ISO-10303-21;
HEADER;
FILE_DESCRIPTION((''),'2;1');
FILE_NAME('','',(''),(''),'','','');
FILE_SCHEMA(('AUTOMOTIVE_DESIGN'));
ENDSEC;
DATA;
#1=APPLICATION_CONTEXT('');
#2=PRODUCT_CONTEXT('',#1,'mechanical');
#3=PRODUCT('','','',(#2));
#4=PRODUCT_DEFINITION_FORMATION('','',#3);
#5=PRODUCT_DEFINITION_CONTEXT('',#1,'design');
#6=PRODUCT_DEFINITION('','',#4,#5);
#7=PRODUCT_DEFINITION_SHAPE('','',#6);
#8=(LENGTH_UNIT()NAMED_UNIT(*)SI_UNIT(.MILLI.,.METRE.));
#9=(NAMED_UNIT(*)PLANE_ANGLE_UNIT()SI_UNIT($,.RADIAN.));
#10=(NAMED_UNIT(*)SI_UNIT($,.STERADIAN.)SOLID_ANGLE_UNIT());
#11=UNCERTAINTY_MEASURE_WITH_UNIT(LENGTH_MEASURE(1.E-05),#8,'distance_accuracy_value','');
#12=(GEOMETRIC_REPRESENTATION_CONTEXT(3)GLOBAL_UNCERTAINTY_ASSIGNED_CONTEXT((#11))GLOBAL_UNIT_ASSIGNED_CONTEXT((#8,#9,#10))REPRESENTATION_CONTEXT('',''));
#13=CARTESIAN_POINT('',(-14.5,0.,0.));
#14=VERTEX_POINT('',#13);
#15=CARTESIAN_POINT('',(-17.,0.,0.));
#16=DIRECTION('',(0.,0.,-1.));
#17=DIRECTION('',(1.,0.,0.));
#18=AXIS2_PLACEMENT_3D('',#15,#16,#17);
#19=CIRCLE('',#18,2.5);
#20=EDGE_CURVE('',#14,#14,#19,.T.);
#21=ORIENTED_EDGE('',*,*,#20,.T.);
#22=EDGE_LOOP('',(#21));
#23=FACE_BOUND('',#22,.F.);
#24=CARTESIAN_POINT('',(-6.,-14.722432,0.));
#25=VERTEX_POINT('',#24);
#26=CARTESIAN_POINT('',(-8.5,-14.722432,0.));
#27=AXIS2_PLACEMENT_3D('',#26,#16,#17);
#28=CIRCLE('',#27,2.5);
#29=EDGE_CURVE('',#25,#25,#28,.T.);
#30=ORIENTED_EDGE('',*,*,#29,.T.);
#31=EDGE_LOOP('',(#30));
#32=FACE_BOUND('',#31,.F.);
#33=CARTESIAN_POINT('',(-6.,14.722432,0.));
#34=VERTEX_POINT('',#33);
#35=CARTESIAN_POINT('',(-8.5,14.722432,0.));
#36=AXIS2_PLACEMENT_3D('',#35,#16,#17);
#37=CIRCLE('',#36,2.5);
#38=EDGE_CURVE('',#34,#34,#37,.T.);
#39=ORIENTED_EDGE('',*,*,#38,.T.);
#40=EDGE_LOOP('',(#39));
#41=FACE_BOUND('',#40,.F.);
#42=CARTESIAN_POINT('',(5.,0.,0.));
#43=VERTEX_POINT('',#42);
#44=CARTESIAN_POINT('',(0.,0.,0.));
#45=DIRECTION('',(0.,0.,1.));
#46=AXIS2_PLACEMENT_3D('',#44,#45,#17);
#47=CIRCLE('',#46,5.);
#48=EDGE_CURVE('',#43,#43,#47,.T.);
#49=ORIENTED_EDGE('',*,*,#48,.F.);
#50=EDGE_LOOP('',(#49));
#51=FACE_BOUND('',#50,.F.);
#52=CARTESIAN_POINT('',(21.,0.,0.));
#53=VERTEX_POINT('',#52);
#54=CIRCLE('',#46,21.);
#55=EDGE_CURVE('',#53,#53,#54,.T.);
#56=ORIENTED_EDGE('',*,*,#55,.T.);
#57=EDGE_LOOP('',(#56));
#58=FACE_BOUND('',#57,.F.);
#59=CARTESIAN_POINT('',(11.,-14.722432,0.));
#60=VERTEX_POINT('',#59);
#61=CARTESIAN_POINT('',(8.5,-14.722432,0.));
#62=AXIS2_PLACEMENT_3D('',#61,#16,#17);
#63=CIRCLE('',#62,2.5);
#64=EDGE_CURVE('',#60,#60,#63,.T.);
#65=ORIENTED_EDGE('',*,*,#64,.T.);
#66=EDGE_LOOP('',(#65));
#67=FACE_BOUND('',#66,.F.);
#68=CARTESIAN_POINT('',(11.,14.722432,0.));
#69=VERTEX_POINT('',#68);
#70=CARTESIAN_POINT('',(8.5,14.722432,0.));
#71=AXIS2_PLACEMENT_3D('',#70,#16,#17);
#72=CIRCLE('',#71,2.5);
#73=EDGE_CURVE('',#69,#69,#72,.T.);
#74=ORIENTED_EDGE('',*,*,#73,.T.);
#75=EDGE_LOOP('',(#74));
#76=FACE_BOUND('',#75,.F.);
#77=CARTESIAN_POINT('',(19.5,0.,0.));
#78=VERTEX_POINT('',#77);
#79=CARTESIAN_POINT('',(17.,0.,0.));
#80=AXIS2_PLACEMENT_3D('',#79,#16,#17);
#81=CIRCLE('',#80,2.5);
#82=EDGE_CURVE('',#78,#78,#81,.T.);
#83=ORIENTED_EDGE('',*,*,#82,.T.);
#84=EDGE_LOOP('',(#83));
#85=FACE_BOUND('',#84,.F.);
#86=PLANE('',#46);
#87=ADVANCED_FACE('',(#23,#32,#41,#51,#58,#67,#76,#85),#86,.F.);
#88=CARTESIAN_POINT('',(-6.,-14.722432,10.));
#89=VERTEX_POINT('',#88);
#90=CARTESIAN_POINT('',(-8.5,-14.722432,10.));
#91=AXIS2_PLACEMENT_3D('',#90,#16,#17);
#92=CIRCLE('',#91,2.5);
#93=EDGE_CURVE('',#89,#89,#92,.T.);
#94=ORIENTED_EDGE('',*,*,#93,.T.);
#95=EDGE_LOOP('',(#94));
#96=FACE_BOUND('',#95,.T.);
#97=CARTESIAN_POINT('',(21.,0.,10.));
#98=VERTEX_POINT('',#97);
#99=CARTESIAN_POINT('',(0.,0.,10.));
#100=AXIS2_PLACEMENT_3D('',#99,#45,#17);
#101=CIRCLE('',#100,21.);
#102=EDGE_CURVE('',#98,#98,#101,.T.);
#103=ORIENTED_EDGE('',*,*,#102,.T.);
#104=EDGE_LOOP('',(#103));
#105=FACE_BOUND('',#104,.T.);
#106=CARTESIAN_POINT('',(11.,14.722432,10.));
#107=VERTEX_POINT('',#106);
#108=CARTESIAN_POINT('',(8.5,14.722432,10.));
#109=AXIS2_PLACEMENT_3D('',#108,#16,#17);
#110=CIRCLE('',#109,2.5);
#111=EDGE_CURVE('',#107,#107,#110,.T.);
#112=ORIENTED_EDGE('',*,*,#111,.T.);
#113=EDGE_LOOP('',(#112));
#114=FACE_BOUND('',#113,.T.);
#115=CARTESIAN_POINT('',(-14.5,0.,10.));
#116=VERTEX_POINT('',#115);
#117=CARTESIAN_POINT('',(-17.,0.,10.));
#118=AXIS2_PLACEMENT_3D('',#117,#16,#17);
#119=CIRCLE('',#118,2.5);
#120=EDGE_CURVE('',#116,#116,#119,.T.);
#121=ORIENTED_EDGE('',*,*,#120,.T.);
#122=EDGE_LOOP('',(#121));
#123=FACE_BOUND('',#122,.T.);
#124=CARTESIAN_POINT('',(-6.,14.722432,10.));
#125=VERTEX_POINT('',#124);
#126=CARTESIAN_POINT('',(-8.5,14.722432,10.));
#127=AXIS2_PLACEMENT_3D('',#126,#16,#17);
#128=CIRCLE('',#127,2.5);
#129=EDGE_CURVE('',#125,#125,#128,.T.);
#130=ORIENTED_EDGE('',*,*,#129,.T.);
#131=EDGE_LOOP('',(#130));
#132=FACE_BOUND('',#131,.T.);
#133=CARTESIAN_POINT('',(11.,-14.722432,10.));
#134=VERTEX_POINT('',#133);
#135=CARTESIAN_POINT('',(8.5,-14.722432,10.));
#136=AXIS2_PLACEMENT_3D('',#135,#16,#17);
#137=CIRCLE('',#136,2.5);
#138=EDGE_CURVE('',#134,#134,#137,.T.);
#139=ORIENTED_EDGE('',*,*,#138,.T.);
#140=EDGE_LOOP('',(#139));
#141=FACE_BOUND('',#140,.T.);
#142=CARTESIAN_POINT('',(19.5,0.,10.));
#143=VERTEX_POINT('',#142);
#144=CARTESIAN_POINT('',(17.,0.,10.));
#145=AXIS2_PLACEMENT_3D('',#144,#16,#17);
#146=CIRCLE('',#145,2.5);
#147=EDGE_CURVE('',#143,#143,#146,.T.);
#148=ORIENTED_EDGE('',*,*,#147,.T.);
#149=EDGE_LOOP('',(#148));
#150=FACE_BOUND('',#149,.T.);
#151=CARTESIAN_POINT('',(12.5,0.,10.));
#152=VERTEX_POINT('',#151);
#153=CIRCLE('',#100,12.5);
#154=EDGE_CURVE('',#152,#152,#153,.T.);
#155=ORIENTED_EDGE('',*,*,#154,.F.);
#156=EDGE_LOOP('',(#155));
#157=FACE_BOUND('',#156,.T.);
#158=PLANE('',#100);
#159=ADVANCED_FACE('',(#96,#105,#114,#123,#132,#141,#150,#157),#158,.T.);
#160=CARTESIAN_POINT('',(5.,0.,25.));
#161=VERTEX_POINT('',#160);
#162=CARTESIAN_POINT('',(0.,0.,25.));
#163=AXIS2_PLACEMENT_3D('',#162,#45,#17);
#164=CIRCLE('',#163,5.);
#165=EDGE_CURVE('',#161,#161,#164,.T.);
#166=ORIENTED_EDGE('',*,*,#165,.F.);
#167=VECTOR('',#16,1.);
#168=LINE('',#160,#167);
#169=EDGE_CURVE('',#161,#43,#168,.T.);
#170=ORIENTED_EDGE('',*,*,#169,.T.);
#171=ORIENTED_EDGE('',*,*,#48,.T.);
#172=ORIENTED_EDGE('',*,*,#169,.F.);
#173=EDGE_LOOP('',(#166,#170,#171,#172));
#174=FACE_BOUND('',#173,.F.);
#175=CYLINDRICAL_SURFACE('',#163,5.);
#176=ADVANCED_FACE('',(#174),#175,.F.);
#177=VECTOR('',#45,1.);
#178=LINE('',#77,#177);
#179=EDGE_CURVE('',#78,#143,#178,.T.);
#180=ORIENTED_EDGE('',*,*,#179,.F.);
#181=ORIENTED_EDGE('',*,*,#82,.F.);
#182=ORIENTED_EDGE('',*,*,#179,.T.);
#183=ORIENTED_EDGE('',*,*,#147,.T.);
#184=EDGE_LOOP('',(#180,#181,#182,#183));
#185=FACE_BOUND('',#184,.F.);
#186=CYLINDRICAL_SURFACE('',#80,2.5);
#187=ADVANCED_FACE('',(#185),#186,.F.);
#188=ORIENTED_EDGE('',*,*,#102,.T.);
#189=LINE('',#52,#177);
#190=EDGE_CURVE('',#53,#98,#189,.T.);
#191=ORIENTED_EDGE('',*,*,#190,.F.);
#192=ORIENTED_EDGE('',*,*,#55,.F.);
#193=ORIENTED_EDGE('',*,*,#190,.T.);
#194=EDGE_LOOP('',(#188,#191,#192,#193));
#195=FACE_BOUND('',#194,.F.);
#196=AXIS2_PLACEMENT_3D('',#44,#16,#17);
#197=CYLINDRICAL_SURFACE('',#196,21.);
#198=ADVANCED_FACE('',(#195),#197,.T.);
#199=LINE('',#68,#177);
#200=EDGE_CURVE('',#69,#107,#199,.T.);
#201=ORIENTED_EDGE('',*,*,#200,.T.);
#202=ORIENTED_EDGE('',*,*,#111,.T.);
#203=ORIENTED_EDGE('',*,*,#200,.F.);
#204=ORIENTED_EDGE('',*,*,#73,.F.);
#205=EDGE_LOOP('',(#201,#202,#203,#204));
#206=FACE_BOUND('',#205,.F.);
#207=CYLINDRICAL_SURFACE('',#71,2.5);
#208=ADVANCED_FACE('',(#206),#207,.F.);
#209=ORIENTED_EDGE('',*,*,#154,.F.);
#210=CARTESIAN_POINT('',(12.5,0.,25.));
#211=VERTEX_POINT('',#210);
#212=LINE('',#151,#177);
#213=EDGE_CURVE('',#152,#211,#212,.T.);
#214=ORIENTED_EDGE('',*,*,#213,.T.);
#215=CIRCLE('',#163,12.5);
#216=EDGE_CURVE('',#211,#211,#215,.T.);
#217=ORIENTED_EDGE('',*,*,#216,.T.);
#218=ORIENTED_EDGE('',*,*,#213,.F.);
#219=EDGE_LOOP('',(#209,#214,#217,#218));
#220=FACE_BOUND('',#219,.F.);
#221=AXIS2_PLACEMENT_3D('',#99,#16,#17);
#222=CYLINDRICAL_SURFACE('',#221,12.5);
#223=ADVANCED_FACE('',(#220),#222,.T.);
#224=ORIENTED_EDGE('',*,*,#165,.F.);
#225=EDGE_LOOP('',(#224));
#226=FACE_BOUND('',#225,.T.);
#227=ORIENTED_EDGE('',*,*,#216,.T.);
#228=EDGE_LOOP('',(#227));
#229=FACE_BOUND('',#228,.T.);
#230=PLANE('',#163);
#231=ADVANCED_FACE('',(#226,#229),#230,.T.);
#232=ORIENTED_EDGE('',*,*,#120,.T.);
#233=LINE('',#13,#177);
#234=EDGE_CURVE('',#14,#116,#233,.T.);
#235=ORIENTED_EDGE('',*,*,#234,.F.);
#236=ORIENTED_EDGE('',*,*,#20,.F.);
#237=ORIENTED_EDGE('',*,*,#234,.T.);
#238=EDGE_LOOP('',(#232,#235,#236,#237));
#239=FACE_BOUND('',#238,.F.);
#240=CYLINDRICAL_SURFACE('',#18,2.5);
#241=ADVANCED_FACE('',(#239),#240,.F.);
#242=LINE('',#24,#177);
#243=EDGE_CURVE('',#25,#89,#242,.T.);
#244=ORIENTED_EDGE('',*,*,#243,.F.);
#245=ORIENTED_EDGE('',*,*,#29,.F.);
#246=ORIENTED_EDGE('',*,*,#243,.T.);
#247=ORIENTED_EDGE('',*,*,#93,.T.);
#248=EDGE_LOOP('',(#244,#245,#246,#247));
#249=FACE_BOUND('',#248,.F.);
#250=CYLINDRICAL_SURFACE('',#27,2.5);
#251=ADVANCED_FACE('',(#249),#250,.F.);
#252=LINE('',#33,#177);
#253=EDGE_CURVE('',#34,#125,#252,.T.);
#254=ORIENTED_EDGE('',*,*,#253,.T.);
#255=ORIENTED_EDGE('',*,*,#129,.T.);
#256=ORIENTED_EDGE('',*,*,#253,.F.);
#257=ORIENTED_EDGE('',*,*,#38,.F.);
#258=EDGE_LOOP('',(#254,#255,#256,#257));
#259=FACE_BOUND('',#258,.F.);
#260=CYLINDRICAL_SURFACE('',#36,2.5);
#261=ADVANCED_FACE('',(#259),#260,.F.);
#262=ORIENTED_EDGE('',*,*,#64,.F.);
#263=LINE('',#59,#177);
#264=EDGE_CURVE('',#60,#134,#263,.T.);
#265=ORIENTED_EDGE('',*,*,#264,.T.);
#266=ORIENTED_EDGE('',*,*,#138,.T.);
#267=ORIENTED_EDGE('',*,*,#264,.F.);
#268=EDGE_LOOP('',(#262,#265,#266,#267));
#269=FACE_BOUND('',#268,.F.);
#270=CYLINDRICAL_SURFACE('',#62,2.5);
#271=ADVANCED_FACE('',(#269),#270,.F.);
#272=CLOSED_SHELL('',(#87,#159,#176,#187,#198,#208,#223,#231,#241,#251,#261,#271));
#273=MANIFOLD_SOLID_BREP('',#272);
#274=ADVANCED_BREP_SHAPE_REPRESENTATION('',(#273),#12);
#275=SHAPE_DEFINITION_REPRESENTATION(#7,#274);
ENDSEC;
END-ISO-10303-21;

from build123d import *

# Parameters (mm, degrees)
F0_R     = 21
F1_DEPTH = 10
F2_R     = 12.5
F3_DEPTH = 15
F4_R     = 5
F5_DEPTH = 30
F6_R     = 2.5
F7_DEPTH = 25


with BuildPart() as f1:
    # F0 (on Top) → F1 (new body)
    with BuildSketch(Plane.XY):
        Circle(F0_R)
    extrude(amount=F1_DEPTH)

    # F2 (on face) → F3 (join)
    with BuildSketch(Plane.XY.offset(10)):
        Circle(F2_R)
    extrude(amount=F3_DEPTH)

    # F4 (on face) → F5 (cut)
    with BuildSketch(Plane.XY.offset(25)):
        Circle(F4_R)
    extrude(amount=-F5_DEPTH, mode=Mode.SUBTRACT)

    # F6 (on face) → F7 (cut)
    with BuildSketch(Plane(origin=(0, 0, 0), x_dir=(1, 0, 0), z_dir=(0, 0, -1))):
        with Locations((17, 0)):
            Circle(F6_R)
        with Locations((8.5, 14.722432)):
            Circle(F6_R)
        with Locations((-8.5, 14.722432)):
            Circle(F6_R)
        with Locations((-17, 0)):
            Circle(F6_R)
        with Locations((-8.5, -14.722432)):
            Circle(F6_R)
        with Locations((8.5, -14.722432)):
            Circle(F6_R)
    extrude(amount=-F7_DEPTH, mode=Mode.SUBTRACT)


solid = f1.part
